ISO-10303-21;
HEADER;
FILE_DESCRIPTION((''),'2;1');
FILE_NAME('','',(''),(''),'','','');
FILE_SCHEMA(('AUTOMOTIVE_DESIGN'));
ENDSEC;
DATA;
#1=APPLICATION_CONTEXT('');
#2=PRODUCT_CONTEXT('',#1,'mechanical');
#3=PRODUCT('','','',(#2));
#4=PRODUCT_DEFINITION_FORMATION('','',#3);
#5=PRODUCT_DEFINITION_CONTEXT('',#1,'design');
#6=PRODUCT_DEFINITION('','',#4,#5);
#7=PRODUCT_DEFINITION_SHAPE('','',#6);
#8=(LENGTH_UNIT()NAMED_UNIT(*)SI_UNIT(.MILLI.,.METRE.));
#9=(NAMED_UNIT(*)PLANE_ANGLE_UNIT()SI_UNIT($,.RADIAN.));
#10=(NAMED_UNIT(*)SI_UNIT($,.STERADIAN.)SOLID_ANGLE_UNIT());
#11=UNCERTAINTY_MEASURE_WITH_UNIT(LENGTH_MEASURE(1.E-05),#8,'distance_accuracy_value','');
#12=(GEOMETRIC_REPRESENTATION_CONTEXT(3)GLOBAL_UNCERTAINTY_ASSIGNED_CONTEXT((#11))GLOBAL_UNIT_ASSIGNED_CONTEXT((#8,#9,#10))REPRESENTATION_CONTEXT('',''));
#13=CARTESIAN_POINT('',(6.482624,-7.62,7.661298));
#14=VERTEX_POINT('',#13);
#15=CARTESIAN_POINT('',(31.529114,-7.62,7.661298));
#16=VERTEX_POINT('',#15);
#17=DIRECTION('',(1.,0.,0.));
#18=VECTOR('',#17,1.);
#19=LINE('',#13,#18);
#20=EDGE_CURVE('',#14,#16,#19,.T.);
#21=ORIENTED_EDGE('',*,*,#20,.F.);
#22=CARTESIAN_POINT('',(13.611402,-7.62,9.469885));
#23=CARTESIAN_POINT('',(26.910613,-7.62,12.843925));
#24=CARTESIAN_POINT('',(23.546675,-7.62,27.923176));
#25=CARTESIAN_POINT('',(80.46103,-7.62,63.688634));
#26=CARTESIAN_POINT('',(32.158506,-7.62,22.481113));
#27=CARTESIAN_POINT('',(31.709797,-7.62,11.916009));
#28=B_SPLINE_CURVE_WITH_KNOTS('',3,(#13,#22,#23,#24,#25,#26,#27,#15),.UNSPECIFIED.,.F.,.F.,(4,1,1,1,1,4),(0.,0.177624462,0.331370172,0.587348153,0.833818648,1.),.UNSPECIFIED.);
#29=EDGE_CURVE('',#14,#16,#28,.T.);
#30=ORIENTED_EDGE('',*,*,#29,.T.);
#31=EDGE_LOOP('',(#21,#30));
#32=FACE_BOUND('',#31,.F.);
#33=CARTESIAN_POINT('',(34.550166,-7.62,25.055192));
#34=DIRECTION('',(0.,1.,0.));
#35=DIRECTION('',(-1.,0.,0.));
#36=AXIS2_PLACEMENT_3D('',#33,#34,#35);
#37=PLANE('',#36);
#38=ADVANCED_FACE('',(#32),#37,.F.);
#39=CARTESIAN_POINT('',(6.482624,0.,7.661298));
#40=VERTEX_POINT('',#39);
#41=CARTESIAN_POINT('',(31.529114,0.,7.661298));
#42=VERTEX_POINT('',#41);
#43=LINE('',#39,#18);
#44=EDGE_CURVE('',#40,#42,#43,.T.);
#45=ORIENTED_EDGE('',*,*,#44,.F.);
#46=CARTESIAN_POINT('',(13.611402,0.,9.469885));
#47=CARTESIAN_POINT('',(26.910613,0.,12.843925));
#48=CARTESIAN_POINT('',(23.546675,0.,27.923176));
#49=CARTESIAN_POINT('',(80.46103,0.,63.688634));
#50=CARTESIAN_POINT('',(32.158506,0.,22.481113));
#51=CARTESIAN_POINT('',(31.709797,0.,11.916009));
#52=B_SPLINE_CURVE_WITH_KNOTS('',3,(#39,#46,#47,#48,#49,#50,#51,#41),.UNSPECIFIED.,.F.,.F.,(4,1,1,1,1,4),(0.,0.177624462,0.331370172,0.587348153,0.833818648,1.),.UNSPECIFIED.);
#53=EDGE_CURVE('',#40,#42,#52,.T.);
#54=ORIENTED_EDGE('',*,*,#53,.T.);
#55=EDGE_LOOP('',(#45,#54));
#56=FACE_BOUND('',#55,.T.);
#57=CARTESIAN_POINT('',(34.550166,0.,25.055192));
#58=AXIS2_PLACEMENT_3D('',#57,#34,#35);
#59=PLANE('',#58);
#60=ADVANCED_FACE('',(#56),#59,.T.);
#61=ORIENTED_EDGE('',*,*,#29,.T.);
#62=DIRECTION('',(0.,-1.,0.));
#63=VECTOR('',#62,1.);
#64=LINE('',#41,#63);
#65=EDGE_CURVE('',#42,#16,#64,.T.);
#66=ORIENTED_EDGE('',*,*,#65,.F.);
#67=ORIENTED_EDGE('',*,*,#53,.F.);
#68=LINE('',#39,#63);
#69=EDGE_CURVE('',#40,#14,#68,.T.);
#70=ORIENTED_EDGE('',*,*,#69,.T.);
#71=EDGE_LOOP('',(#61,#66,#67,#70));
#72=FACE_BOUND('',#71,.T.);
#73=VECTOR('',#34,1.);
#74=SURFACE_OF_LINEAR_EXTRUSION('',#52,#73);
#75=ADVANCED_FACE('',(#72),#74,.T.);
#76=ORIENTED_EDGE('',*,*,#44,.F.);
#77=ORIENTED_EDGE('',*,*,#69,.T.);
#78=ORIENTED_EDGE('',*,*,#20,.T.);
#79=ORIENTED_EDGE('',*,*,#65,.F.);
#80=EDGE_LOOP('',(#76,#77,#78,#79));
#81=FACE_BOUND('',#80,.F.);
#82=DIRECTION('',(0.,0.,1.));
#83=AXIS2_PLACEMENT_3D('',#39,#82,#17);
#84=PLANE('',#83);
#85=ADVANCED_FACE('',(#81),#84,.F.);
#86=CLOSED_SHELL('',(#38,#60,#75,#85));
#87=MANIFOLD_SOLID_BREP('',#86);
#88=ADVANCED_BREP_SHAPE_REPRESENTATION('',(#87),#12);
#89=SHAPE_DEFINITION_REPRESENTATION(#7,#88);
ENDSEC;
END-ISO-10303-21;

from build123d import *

# Parameters (mm, degrees)
F1_DEPTH = 7.62


with BuildPart() as f1:
    # F0 (on Front) → F1 (new body)
    with BuildSketch(Plane.XZ):
        with BuildLine():
            add(Edge.make_bspline(
                [(6.4826235175, 7.6612979174), (13.6114019761, 9.4698852054), (26.9106134191, 12.8439246155), (23.5466750324, 27.9231763212), (80.4610299181, 63.6886344092), (32.1585057771, 22.4811128249), (31.7097973484, 11.9160087424), (31.5291136503, 7.6612979174)],
                knots=[0, 0, 0, 0, 0.1776244624, 0.3313701718, 0.5873481525, 0.8338186483, 1, 1, 1, 1], degree=3))
            Line((6.4826235175, 7.6612979174), (31.5291136503, 7.6612979174))
        make_face()
    extrude(amount=F1_DEPTH)


solid = f1.part
